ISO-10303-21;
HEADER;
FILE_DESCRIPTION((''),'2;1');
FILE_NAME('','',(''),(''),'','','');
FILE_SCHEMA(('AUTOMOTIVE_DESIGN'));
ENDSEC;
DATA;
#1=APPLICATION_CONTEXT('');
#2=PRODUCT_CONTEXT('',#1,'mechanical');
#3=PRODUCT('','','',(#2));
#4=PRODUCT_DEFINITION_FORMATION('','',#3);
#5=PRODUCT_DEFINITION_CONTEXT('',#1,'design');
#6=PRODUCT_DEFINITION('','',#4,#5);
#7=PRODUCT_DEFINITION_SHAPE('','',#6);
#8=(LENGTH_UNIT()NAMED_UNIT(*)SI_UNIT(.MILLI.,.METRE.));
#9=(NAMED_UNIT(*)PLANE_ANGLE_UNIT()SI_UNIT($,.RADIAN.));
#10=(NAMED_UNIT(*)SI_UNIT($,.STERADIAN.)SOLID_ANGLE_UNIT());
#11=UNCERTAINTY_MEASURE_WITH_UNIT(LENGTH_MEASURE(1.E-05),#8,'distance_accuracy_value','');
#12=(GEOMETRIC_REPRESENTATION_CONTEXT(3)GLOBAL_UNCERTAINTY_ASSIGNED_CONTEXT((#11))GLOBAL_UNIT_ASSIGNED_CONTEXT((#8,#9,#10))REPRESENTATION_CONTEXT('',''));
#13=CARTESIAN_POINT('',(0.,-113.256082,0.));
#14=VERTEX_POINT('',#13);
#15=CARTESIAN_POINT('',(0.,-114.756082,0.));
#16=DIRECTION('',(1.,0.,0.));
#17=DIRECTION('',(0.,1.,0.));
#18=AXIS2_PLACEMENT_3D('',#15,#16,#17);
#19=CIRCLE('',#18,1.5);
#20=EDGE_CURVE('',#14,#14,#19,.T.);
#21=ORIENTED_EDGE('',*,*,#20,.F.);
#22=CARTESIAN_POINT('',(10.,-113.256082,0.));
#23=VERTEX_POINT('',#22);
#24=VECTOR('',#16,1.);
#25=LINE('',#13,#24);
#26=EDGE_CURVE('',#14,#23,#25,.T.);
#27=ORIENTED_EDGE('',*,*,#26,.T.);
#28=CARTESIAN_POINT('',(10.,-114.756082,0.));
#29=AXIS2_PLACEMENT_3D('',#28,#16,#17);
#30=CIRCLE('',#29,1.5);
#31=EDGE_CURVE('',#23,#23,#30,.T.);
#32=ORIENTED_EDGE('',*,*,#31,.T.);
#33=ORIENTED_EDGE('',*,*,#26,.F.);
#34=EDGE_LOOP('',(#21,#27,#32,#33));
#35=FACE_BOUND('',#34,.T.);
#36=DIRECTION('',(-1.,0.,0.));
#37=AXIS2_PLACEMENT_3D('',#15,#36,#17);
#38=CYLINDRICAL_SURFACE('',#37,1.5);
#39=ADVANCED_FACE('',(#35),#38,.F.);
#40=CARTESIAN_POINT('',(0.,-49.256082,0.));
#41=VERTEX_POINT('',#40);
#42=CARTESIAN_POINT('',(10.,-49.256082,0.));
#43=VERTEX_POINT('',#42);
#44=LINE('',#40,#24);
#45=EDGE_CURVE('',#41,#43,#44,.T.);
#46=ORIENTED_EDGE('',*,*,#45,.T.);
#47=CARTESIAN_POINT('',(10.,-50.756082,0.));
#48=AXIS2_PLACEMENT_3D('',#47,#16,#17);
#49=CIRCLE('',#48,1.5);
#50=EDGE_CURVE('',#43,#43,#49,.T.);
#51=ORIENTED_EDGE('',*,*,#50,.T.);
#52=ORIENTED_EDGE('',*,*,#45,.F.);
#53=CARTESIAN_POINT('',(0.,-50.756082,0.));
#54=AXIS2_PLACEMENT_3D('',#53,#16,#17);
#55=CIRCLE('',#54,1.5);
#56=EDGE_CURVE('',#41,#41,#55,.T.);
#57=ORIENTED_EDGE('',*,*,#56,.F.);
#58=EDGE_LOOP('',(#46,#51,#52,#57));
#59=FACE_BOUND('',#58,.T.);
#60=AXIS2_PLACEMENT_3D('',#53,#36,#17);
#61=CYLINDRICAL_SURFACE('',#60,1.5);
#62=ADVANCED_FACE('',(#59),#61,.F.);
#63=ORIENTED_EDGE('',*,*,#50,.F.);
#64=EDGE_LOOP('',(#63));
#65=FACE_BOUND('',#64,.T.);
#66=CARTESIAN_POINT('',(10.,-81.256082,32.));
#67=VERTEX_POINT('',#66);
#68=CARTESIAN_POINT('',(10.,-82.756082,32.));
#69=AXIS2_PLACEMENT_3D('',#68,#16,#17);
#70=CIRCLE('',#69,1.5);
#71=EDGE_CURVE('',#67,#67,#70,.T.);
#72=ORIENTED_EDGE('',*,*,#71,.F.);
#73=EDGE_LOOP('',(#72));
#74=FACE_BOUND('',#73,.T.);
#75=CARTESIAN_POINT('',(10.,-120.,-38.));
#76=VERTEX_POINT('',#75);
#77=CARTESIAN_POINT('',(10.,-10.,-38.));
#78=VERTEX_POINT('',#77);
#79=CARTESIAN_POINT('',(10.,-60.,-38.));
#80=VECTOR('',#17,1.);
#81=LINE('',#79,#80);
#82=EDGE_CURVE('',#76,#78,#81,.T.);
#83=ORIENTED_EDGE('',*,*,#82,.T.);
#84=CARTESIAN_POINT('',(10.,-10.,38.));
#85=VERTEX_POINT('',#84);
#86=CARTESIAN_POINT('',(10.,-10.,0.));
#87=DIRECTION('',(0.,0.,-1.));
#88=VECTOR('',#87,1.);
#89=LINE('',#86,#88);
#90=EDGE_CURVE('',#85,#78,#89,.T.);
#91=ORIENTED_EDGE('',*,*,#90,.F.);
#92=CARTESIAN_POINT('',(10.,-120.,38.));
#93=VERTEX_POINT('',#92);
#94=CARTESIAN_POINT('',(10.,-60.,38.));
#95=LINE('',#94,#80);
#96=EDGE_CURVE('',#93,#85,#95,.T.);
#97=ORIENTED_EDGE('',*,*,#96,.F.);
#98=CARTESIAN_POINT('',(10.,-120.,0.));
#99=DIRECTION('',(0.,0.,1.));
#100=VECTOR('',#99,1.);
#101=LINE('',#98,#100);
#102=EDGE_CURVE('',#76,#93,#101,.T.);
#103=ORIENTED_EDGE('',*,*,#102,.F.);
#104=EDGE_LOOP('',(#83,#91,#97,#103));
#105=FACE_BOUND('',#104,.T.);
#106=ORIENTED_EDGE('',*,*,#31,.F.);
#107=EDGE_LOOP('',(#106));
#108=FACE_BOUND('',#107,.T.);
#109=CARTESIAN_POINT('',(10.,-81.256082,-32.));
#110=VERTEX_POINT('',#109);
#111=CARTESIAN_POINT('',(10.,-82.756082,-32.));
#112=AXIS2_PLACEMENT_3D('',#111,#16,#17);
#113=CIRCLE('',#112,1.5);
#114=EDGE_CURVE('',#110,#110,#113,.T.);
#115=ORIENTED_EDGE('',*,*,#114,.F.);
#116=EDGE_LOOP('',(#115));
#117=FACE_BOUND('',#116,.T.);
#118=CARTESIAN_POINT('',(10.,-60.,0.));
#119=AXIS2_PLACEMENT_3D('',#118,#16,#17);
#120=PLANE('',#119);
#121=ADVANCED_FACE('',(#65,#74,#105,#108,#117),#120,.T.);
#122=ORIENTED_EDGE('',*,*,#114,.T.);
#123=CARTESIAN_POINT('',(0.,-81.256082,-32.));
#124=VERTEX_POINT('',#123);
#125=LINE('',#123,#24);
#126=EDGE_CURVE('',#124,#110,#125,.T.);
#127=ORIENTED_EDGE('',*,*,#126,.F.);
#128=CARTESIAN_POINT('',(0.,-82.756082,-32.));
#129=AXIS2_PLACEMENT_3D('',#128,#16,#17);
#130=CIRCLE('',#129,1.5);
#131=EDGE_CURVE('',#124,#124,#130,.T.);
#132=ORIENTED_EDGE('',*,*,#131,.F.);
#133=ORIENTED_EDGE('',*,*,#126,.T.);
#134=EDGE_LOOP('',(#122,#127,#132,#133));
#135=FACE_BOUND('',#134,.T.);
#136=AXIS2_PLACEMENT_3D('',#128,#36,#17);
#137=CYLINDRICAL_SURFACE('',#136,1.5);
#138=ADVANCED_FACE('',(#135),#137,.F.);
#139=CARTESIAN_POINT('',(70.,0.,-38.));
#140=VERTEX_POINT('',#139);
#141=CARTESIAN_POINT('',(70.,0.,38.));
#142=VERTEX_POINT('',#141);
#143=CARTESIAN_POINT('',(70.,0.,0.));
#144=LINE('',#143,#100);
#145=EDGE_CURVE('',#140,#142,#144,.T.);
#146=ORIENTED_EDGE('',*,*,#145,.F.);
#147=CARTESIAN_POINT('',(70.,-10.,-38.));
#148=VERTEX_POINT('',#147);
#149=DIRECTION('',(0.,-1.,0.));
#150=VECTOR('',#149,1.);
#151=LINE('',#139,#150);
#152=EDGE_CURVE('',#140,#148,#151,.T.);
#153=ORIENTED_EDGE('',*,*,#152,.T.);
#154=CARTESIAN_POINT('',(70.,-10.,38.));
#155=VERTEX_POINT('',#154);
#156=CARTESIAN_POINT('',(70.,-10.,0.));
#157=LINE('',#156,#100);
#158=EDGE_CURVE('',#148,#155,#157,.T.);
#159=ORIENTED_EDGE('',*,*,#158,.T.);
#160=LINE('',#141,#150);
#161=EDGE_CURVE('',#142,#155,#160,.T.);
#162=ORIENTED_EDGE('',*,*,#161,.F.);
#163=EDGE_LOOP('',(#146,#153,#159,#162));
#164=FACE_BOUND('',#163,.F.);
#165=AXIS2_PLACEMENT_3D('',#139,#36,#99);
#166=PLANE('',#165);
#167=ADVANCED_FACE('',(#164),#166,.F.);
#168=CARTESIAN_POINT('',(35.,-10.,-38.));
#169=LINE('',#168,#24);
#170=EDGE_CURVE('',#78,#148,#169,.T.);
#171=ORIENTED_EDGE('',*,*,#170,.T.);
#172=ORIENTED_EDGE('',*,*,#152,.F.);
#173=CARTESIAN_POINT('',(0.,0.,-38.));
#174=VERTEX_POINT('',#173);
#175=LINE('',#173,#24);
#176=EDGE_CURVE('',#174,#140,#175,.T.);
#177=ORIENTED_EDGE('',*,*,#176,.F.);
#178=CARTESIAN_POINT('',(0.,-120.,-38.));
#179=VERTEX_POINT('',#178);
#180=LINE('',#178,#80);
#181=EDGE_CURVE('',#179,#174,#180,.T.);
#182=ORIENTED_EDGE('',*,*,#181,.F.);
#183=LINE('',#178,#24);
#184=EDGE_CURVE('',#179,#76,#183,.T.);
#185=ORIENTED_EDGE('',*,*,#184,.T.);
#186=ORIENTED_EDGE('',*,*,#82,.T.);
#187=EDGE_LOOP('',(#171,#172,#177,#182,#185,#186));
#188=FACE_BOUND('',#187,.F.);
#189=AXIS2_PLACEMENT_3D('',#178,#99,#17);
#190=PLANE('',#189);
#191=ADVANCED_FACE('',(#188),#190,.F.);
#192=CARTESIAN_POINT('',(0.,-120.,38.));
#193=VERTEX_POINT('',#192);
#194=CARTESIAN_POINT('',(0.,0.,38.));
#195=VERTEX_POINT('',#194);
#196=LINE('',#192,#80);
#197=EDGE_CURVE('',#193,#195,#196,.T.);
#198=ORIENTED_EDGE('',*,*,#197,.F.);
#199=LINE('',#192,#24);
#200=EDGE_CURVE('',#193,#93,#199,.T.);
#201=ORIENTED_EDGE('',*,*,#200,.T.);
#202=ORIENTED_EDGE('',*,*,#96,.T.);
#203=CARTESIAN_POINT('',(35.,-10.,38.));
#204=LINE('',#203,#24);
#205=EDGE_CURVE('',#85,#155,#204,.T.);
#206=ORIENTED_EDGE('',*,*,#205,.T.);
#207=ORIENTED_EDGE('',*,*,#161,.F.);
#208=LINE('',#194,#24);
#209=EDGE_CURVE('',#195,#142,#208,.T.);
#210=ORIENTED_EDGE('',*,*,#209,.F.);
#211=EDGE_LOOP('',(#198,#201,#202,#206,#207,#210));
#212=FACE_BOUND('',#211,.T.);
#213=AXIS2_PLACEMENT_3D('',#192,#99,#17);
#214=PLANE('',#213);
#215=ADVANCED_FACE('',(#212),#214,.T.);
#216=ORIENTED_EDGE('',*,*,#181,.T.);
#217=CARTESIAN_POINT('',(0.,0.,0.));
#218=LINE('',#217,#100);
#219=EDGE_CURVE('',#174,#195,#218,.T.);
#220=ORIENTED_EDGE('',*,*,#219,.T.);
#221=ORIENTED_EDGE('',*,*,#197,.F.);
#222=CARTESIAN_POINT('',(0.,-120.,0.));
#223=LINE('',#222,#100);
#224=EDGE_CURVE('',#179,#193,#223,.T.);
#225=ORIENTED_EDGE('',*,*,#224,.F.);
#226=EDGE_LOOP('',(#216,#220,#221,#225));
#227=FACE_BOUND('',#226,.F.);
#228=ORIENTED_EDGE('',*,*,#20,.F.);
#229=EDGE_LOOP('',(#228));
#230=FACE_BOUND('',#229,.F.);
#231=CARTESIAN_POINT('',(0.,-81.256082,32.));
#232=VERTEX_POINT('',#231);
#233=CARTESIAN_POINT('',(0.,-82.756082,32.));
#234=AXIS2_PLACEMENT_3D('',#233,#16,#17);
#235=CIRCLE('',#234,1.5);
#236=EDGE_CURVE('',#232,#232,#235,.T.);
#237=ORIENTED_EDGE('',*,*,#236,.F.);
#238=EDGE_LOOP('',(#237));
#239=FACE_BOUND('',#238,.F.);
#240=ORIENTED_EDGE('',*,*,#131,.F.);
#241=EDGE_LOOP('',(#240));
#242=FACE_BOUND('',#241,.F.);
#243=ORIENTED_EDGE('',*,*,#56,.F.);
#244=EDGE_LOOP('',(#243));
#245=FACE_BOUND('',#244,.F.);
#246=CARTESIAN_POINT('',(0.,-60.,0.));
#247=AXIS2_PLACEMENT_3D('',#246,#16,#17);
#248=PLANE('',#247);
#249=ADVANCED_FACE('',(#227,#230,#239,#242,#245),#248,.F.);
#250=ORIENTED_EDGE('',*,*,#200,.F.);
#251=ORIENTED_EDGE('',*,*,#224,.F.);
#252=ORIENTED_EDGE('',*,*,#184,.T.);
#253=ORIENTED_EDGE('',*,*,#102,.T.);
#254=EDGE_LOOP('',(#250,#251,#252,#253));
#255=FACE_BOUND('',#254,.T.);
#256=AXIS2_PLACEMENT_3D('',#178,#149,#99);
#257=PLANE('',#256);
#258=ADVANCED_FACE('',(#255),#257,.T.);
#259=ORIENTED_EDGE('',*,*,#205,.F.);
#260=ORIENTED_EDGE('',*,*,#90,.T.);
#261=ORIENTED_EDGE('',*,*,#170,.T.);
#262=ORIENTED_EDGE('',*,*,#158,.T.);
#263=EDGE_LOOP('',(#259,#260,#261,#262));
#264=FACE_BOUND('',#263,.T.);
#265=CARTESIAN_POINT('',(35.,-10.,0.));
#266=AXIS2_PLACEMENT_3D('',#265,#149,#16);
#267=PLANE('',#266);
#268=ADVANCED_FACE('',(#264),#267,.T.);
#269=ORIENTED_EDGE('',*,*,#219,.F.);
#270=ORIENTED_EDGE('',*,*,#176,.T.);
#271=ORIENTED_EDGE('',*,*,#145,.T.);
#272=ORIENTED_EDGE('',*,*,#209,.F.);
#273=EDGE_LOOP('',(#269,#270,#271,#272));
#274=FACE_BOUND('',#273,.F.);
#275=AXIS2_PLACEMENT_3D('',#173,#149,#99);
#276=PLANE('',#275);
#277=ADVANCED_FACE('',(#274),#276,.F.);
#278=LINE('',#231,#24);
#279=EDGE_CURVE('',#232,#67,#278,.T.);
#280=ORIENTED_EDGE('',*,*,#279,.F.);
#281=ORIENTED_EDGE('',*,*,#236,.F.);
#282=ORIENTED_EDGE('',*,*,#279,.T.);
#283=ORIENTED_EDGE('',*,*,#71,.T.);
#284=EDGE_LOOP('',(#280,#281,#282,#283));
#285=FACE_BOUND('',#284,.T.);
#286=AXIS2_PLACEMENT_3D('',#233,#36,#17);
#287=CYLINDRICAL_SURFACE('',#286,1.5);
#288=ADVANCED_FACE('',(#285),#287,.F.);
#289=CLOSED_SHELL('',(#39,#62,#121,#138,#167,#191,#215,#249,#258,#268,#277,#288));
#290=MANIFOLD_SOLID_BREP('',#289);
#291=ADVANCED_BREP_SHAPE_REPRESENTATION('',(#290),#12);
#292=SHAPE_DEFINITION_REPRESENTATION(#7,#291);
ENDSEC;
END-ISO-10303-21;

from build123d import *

# Parameters (mm, degrees)
SKETCH001_W  = 120
SKETCH001_H  = 76
SKETCH001_R  = 1.5
PAD_DEPTH    = 10
SKETCH_W     = 70
SKETCH_H     = 76
PAD001_DEPTH = 10


with BuildPart() as part:
    # Sketch001 → Pad (new body)
    with BuildSketch(Plane.YZ):
        with Locations((-60, 0)):
            Rectangle(SKETCH001_W, SKETCH001_H)
        with Locations((-82.756082, 32)):
            Circle(SKETCH001_R, mode=Mode.SUBTRACT)
        with Locations((-114.756082, 0)):
            Circle(SKETCH001_R, mode=Mode.SUBTRACT)
        with Locations((-50.756082, 0)):
            Circle(SKETCH001_R, mode=Mode.SUBTRACT)
        with Locations((-82.756082, -32)):
            Circle(SKETCH001_R, mode=Mode.SUBTRACT)
    extrude(amount=PAD_DEPTH)

    # Sketch → Pad001 (join)
    with BuildSketch(Plane.XZ):
        with Locations((35, 0)):
            Rectangle(SKETCH_W, SKETCH_H)
    extrude(amount=PAD001_DEPTH)


solid = part.part
